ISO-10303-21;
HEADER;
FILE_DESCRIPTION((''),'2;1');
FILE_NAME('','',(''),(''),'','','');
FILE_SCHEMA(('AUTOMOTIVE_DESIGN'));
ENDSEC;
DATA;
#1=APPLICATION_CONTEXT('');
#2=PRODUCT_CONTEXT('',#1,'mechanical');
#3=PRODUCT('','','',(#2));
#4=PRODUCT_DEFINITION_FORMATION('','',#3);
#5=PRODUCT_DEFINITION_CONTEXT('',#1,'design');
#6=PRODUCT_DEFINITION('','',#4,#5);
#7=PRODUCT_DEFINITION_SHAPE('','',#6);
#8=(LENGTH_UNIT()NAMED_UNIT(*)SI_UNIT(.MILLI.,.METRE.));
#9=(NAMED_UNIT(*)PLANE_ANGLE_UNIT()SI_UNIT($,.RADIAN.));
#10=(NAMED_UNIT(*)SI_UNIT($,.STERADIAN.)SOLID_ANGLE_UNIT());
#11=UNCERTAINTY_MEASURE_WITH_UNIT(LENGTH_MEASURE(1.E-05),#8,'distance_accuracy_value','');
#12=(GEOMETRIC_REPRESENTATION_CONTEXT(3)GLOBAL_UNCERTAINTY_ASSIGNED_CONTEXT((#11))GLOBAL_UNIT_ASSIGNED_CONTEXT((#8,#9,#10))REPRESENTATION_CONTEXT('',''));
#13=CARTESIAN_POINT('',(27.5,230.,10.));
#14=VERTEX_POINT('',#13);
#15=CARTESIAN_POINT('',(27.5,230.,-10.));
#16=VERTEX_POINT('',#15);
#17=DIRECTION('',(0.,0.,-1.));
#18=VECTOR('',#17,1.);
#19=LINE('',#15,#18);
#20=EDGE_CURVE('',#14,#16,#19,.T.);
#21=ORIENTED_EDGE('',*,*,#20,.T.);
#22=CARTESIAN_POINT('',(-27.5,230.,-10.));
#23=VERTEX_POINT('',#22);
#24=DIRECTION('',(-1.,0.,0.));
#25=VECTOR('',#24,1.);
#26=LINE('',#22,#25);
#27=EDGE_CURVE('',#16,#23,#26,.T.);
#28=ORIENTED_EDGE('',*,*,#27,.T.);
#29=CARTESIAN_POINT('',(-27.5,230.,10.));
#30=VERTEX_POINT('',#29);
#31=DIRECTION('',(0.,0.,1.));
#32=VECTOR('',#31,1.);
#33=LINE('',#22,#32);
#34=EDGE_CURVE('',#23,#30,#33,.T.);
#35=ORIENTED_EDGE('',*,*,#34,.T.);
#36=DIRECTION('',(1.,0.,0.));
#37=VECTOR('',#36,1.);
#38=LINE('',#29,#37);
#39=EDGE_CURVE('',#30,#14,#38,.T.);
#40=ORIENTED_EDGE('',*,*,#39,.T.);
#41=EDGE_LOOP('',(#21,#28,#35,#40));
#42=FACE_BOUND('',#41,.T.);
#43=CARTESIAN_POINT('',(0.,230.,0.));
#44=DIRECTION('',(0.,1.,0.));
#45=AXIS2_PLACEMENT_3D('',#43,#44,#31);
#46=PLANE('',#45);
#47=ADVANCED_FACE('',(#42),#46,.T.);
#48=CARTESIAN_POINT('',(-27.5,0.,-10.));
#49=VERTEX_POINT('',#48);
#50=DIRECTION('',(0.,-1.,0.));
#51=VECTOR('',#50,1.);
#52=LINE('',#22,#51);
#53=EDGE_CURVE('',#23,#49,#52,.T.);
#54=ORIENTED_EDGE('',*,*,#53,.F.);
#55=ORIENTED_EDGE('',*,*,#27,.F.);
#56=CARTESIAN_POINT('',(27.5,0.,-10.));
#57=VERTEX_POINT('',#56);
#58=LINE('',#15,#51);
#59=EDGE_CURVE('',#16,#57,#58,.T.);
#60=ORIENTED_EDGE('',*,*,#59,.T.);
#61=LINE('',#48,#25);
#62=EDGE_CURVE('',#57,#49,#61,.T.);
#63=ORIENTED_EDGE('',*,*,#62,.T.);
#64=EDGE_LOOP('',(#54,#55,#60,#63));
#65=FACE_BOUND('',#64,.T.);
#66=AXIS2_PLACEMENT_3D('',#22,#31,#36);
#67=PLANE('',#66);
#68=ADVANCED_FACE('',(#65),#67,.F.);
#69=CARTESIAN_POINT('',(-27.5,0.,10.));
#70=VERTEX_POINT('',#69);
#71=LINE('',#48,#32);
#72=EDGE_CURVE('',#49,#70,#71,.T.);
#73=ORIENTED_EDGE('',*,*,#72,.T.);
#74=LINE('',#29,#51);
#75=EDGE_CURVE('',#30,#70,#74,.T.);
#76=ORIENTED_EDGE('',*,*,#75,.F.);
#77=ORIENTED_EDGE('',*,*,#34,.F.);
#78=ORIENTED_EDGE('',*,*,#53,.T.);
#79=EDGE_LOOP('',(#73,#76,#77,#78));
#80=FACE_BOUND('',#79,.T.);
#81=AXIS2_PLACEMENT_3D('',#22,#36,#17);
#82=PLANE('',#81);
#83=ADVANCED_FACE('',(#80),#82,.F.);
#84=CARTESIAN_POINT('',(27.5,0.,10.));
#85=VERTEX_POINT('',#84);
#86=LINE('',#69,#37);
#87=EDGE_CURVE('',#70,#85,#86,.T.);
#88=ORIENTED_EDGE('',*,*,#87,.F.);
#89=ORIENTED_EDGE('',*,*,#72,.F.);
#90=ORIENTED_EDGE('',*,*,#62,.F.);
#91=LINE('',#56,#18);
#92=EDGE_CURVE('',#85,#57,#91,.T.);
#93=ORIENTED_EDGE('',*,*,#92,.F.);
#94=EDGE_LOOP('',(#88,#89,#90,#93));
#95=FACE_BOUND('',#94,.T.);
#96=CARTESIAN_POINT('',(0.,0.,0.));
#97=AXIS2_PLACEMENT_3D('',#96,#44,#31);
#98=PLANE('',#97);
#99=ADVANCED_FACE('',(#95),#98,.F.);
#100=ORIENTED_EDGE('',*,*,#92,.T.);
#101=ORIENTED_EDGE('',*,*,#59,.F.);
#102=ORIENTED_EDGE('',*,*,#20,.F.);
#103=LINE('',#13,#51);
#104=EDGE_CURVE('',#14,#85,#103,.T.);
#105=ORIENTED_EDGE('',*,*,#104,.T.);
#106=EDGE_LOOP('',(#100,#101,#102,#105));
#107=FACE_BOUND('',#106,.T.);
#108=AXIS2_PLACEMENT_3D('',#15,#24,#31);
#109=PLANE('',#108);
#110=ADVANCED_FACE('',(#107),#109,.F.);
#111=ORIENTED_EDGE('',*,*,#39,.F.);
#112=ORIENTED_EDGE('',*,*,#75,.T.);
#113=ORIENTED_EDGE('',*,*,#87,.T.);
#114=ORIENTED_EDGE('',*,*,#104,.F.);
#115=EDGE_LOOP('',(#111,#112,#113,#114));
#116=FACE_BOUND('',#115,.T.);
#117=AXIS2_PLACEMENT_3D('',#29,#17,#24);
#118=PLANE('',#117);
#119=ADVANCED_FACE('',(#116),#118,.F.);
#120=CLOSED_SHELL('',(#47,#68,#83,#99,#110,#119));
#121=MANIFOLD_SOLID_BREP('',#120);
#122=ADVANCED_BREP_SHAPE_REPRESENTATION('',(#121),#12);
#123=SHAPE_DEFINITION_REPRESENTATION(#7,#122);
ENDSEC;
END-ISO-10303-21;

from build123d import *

# Parameters (mm, degrees)
SKETCH_1_W      = 55
SKETCH_1_H      = 20
EXTRUDE_1_DEPTH = 230


with BuildPart() as part:
    # Эскиз1 → Бобышка-Вытянуть1 (new body)
    with BuildSketch(Plane(origin=(0, 0, 0), x_dir=(1, 0, 0), z_dir=(0, 1, 0))):
        Rectangle(SKETCH_1_W, SKETCH_1_H)
    extrude(amount=EXTRUDE_1_DEPTH)


solid = part.part
